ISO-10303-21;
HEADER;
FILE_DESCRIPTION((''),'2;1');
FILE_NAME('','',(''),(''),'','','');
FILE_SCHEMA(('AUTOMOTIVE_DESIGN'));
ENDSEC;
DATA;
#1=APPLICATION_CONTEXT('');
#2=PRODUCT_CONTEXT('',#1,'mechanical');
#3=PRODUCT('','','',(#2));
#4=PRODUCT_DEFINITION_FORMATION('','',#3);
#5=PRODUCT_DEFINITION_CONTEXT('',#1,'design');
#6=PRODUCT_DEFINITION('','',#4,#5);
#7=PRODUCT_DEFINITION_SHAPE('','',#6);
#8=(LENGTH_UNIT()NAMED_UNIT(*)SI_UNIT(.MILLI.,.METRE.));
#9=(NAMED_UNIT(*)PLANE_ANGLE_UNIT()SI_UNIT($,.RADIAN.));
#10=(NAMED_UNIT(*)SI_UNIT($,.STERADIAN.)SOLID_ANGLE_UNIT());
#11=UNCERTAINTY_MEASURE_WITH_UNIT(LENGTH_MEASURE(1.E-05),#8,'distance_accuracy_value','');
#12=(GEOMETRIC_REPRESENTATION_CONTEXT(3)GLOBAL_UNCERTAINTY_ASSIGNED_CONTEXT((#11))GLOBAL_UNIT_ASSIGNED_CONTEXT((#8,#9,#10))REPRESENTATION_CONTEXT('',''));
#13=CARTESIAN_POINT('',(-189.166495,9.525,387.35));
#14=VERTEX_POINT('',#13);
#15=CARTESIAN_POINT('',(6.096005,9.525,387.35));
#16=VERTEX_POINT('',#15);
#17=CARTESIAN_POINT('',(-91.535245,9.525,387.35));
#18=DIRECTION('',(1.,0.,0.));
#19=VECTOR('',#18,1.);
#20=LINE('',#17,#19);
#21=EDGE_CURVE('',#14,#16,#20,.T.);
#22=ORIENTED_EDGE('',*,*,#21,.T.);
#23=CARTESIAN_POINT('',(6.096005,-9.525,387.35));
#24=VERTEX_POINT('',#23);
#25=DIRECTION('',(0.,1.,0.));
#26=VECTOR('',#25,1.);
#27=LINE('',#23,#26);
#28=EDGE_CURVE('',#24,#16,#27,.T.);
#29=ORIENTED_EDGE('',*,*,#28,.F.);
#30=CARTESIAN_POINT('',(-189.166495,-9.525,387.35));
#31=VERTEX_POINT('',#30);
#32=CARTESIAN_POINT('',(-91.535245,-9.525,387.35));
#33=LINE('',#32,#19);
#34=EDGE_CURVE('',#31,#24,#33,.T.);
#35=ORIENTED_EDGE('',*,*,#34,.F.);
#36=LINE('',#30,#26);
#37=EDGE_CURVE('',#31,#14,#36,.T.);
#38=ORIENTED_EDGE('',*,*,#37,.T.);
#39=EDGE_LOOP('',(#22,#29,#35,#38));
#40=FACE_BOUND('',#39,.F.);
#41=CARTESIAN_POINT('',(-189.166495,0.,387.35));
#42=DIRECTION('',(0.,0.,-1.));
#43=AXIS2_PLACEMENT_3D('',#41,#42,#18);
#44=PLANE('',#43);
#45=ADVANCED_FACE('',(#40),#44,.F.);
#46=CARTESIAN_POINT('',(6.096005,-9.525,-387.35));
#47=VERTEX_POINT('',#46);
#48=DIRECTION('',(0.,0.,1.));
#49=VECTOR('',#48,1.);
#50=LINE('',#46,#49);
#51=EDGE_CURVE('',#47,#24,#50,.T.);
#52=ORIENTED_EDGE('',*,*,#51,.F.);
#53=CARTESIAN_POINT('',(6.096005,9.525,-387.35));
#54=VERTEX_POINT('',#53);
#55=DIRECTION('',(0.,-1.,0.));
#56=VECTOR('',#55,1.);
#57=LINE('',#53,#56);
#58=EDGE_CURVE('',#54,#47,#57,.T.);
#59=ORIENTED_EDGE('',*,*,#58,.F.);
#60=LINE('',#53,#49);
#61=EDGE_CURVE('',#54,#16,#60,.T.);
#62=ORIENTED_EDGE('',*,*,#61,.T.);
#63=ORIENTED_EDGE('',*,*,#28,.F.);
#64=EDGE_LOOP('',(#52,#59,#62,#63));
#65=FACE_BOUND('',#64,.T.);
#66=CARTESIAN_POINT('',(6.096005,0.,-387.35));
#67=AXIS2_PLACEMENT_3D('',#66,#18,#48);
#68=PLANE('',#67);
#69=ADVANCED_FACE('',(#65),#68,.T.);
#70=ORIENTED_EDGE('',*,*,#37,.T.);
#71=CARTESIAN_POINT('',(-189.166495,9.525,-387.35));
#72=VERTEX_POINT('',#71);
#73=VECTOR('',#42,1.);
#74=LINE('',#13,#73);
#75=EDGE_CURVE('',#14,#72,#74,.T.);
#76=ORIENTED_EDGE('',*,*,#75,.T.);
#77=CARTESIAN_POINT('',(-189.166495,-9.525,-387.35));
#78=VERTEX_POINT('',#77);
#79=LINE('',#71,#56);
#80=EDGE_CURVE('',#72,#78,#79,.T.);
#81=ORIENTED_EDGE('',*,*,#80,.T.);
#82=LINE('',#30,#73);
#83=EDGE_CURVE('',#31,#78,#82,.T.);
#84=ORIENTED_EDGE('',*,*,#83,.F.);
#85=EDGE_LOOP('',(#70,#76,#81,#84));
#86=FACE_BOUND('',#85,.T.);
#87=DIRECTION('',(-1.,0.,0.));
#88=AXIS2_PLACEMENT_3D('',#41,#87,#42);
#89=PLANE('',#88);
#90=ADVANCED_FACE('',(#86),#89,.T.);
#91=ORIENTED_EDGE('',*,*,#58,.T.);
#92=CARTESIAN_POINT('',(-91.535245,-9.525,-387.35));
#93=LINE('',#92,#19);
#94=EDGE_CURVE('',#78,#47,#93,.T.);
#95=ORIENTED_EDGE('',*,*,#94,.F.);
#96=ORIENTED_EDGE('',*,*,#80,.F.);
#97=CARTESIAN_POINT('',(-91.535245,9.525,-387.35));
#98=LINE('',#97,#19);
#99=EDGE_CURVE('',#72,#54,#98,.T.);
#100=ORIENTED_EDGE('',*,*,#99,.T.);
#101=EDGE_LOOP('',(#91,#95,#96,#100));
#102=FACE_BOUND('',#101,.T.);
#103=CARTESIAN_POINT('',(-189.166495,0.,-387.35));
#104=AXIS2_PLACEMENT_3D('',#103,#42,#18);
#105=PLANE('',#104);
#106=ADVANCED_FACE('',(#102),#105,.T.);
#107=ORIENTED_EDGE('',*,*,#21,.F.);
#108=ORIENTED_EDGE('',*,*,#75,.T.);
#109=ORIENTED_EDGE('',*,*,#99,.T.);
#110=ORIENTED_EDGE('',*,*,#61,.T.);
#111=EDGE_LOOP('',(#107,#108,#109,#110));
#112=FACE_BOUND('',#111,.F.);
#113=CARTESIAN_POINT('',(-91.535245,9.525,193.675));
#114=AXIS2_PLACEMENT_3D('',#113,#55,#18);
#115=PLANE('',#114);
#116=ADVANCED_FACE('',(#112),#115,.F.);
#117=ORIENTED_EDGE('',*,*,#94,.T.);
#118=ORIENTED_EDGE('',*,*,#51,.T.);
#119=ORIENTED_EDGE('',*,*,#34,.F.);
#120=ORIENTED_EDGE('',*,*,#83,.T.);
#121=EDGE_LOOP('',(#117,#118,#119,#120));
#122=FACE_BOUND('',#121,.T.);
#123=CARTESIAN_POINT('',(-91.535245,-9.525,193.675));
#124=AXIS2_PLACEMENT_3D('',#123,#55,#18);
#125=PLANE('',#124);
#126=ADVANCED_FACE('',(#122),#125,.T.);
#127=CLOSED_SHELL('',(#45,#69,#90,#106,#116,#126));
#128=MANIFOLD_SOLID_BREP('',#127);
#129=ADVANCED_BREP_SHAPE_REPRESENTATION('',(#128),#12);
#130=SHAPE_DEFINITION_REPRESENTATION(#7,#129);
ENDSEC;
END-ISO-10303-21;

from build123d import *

# Parameters (mm, degrees)
F0_W     = 195.2625
F0_H     = 387.35
F1_DEPTH = 9.525


with BuildPart() as f1:
    # F0 (on Front) → F1 (new body, symmetric)
    with BuildSketch(Plane.XZ):
        with Locations((-91.5352453259, 193.675)):
            Rectangle(F0_W, F0_H)
        with Locations((-91.5352453259, -193.675)):
            Rectangle(F0_W, F0_H)
    extrude(amount=F1_DEPTH, both=True)


solid = f1.part
